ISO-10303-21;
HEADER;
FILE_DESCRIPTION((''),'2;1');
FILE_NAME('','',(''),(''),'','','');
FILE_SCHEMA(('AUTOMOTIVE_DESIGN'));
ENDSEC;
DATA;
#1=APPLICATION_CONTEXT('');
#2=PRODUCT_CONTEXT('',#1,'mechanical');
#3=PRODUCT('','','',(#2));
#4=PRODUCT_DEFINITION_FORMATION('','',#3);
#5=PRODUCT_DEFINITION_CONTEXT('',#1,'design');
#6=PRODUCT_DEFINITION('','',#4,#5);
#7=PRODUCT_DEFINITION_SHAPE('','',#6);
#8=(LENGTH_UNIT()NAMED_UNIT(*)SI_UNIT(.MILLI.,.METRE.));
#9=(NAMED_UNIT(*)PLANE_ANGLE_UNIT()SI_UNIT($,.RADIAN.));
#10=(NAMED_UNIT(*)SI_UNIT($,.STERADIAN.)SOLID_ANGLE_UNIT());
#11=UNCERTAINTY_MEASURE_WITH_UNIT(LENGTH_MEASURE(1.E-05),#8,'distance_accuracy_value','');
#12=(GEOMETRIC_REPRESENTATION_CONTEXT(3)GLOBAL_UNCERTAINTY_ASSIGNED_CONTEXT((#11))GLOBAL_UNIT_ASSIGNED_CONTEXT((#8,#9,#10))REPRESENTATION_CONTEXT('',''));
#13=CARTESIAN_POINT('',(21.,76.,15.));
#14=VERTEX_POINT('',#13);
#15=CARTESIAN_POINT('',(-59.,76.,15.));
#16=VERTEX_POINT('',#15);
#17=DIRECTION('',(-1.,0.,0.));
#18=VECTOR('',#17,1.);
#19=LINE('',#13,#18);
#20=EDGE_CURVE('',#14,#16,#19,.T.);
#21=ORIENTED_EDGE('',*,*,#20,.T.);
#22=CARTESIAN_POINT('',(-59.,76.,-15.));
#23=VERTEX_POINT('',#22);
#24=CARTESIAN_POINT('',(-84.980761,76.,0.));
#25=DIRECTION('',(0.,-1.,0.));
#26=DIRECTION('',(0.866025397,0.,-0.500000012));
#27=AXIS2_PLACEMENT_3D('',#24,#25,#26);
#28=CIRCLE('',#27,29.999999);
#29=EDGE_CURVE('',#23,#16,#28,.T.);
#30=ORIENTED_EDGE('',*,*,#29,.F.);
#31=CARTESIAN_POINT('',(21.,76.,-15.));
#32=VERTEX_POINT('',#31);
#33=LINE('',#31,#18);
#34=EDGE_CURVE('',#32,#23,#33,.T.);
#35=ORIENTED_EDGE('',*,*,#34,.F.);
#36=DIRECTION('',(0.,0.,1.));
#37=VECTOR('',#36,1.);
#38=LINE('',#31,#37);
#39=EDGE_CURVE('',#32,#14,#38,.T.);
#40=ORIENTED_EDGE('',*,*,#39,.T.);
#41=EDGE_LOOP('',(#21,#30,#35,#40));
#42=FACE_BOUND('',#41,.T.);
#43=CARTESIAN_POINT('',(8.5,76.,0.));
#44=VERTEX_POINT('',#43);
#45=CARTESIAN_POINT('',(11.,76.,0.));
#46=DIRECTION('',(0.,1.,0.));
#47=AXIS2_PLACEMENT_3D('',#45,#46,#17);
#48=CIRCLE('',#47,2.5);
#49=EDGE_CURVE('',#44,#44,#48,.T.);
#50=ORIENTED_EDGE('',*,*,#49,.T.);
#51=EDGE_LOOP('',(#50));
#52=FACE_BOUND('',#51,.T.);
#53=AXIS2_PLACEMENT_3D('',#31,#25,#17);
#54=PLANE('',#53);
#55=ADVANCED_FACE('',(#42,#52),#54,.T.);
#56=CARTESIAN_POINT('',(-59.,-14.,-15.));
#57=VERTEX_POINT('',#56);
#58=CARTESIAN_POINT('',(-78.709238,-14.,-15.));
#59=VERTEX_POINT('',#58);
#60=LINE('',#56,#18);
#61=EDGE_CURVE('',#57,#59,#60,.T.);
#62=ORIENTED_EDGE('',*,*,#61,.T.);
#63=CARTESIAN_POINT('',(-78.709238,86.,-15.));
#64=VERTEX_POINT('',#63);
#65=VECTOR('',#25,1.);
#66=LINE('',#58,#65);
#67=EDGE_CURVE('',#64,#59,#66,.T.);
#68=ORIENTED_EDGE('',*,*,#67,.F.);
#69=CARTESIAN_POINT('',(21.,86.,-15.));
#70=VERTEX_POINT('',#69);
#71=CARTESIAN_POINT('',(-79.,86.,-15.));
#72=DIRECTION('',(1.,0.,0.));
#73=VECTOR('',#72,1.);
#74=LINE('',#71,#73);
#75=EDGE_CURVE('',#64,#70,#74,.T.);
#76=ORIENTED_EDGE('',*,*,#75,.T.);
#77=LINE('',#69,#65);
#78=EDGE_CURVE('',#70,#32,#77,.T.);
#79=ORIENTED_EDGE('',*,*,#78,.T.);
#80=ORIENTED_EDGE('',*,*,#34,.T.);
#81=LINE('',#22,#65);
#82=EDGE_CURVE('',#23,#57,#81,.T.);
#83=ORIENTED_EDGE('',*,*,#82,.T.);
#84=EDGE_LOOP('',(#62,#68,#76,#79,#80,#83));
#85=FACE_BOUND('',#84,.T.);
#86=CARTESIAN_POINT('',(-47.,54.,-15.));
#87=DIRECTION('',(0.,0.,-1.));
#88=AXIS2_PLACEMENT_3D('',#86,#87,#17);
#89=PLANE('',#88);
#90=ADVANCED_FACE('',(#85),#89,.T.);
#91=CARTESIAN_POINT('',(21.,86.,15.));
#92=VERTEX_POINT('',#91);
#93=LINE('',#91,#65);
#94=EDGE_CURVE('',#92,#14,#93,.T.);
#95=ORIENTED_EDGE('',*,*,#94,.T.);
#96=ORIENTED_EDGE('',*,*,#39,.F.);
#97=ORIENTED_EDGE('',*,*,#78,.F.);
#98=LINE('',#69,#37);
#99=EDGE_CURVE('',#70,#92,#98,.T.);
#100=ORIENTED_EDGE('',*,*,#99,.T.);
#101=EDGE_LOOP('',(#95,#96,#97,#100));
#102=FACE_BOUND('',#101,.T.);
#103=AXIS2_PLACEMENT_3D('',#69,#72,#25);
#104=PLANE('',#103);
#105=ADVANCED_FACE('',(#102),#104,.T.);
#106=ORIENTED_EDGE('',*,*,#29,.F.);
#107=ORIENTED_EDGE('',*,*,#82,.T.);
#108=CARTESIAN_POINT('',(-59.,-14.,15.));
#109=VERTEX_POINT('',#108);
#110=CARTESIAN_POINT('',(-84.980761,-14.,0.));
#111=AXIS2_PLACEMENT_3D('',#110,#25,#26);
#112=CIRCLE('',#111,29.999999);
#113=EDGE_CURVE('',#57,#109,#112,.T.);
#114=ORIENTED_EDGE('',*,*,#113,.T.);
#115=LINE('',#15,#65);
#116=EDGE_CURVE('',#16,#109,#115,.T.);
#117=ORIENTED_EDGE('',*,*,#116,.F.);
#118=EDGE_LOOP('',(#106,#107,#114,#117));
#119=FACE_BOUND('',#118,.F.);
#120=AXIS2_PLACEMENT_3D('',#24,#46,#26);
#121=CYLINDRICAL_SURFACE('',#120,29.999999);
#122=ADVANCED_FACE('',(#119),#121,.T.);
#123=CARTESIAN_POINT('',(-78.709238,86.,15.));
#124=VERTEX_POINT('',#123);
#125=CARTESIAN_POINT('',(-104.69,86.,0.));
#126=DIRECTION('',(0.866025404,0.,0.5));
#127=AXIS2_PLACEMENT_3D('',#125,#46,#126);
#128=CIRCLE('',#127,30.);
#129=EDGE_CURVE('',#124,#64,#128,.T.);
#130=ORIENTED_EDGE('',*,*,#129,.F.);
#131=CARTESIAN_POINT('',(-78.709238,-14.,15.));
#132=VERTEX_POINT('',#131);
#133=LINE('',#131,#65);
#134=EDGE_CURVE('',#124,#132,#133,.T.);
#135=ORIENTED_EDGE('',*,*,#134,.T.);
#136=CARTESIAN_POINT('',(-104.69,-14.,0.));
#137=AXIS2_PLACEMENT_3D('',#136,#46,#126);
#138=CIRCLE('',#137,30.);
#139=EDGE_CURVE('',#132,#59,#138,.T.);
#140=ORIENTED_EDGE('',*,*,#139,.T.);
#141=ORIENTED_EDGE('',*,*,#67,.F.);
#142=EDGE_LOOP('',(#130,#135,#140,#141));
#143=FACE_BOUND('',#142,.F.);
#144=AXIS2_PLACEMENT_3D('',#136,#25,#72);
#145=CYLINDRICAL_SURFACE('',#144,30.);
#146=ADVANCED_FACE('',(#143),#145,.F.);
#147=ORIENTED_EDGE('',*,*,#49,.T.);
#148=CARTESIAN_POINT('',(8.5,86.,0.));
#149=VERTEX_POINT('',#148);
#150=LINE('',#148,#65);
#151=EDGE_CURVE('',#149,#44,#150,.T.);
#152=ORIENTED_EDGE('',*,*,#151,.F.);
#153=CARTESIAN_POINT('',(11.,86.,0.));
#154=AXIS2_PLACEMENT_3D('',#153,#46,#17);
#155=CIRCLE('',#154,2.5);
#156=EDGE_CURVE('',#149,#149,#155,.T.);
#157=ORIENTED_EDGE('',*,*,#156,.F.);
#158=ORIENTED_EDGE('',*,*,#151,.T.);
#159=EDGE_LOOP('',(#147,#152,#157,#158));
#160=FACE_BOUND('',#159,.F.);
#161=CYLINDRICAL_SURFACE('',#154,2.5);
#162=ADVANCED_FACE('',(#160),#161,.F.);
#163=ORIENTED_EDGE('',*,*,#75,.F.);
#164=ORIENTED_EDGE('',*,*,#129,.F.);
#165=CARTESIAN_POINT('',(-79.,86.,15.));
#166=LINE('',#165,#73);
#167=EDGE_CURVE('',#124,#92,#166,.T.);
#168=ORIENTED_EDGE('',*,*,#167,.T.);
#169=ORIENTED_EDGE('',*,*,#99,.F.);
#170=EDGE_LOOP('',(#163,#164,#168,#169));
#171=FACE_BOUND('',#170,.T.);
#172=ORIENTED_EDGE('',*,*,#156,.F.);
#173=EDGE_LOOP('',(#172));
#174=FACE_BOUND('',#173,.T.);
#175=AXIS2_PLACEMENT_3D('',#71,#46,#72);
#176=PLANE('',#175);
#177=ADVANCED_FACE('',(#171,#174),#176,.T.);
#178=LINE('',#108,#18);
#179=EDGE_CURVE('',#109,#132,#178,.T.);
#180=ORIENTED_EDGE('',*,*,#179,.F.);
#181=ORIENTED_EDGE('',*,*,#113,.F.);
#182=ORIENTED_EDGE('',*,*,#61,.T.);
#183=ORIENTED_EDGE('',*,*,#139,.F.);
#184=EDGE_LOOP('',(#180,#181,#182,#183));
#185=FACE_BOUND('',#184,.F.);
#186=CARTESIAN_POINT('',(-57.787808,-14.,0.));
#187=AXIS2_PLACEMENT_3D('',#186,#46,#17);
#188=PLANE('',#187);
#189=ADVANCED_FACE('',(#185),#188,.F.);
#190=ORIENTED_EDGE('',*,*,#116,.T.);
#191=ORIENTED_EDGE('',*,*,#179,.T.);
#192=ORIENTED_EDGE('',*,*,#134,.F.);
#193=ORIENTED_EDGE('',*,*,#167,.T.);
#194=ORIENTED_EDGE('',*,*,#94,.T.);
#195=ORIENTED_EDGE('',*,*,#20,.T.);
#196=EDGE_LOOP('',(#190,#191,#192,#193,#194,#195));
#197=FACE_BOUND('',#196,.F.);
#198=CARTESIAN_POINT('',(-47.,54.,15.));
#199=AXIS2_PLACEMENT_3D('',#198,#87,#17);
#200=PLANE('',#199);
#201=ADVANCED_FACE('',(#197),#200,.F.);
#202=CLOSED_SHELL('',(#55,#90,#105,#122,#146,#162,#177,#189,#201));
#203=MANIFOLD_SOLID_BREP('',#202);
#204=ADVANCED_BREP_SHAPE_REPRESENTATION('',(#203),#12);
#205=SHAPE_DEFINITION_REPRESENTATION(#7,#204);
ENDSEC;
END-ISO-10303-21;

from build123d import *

# Parameters (mm, degrees)
PAD004_DEPTH    = 30
SKETCH018_R     = 2.5
POCKET007_DEPTH = 100.001
SKETCH019_R     = 30
POCKET008_DEPTH = 100.001
PAD005_DEPTH    = 90


with BuildPart() as part:
    # Sketch016 → Pad004 (new body)
    with BuildSketch(Plane.XY):
        Polygon((10, -50), (-10, -50), (-10, 50), (90, 50), (90, 40), (10, 40), align=None)
    extrude(amount=PAD004_DEPTH)

    # Sketch018 → Pocket007 (cut, through all)
    with BuildSketch(Plane(origin=(0, 50, 0), x_dir=(-1, 0, 0), z_dir=(0, 1, 0))):
        with Locations((-80, 15)):
            Circle(SKETCH018_R)
    extrude(amount=-POCKET007_DEPTH, mode=Mode.SUBTRACT)

    # Sketch019 (on Face1 of Pocket007) → Pocket008 (cut, through all)
    with BuildSketch(Plane.XZ.offset(50)):
        with Locations((-35.69, 15)):
            Circle(SKETCH019_R)
    extrude(amount=-POCKET008_DEPTH, mode=Mode.SUBTRACT)

    # Sketch020 (on Face7 of Pocket008) → Pad005 (join)
    with BuildSketch(Plane.XZ.offset(-40)):
        with BuildLine():
            Line((10, 0), (10, 30))
            ThreePointArc((10, 0), (14.019238, 15), (10, 30))
        make_face()
    extrude(amount=PAD005_DEPTH)


with BuildPart() as part_1:
    # Body005 placement: moved
    add(part.part.moved(Location((-69, 36, -15))))


solid = part_1.part
